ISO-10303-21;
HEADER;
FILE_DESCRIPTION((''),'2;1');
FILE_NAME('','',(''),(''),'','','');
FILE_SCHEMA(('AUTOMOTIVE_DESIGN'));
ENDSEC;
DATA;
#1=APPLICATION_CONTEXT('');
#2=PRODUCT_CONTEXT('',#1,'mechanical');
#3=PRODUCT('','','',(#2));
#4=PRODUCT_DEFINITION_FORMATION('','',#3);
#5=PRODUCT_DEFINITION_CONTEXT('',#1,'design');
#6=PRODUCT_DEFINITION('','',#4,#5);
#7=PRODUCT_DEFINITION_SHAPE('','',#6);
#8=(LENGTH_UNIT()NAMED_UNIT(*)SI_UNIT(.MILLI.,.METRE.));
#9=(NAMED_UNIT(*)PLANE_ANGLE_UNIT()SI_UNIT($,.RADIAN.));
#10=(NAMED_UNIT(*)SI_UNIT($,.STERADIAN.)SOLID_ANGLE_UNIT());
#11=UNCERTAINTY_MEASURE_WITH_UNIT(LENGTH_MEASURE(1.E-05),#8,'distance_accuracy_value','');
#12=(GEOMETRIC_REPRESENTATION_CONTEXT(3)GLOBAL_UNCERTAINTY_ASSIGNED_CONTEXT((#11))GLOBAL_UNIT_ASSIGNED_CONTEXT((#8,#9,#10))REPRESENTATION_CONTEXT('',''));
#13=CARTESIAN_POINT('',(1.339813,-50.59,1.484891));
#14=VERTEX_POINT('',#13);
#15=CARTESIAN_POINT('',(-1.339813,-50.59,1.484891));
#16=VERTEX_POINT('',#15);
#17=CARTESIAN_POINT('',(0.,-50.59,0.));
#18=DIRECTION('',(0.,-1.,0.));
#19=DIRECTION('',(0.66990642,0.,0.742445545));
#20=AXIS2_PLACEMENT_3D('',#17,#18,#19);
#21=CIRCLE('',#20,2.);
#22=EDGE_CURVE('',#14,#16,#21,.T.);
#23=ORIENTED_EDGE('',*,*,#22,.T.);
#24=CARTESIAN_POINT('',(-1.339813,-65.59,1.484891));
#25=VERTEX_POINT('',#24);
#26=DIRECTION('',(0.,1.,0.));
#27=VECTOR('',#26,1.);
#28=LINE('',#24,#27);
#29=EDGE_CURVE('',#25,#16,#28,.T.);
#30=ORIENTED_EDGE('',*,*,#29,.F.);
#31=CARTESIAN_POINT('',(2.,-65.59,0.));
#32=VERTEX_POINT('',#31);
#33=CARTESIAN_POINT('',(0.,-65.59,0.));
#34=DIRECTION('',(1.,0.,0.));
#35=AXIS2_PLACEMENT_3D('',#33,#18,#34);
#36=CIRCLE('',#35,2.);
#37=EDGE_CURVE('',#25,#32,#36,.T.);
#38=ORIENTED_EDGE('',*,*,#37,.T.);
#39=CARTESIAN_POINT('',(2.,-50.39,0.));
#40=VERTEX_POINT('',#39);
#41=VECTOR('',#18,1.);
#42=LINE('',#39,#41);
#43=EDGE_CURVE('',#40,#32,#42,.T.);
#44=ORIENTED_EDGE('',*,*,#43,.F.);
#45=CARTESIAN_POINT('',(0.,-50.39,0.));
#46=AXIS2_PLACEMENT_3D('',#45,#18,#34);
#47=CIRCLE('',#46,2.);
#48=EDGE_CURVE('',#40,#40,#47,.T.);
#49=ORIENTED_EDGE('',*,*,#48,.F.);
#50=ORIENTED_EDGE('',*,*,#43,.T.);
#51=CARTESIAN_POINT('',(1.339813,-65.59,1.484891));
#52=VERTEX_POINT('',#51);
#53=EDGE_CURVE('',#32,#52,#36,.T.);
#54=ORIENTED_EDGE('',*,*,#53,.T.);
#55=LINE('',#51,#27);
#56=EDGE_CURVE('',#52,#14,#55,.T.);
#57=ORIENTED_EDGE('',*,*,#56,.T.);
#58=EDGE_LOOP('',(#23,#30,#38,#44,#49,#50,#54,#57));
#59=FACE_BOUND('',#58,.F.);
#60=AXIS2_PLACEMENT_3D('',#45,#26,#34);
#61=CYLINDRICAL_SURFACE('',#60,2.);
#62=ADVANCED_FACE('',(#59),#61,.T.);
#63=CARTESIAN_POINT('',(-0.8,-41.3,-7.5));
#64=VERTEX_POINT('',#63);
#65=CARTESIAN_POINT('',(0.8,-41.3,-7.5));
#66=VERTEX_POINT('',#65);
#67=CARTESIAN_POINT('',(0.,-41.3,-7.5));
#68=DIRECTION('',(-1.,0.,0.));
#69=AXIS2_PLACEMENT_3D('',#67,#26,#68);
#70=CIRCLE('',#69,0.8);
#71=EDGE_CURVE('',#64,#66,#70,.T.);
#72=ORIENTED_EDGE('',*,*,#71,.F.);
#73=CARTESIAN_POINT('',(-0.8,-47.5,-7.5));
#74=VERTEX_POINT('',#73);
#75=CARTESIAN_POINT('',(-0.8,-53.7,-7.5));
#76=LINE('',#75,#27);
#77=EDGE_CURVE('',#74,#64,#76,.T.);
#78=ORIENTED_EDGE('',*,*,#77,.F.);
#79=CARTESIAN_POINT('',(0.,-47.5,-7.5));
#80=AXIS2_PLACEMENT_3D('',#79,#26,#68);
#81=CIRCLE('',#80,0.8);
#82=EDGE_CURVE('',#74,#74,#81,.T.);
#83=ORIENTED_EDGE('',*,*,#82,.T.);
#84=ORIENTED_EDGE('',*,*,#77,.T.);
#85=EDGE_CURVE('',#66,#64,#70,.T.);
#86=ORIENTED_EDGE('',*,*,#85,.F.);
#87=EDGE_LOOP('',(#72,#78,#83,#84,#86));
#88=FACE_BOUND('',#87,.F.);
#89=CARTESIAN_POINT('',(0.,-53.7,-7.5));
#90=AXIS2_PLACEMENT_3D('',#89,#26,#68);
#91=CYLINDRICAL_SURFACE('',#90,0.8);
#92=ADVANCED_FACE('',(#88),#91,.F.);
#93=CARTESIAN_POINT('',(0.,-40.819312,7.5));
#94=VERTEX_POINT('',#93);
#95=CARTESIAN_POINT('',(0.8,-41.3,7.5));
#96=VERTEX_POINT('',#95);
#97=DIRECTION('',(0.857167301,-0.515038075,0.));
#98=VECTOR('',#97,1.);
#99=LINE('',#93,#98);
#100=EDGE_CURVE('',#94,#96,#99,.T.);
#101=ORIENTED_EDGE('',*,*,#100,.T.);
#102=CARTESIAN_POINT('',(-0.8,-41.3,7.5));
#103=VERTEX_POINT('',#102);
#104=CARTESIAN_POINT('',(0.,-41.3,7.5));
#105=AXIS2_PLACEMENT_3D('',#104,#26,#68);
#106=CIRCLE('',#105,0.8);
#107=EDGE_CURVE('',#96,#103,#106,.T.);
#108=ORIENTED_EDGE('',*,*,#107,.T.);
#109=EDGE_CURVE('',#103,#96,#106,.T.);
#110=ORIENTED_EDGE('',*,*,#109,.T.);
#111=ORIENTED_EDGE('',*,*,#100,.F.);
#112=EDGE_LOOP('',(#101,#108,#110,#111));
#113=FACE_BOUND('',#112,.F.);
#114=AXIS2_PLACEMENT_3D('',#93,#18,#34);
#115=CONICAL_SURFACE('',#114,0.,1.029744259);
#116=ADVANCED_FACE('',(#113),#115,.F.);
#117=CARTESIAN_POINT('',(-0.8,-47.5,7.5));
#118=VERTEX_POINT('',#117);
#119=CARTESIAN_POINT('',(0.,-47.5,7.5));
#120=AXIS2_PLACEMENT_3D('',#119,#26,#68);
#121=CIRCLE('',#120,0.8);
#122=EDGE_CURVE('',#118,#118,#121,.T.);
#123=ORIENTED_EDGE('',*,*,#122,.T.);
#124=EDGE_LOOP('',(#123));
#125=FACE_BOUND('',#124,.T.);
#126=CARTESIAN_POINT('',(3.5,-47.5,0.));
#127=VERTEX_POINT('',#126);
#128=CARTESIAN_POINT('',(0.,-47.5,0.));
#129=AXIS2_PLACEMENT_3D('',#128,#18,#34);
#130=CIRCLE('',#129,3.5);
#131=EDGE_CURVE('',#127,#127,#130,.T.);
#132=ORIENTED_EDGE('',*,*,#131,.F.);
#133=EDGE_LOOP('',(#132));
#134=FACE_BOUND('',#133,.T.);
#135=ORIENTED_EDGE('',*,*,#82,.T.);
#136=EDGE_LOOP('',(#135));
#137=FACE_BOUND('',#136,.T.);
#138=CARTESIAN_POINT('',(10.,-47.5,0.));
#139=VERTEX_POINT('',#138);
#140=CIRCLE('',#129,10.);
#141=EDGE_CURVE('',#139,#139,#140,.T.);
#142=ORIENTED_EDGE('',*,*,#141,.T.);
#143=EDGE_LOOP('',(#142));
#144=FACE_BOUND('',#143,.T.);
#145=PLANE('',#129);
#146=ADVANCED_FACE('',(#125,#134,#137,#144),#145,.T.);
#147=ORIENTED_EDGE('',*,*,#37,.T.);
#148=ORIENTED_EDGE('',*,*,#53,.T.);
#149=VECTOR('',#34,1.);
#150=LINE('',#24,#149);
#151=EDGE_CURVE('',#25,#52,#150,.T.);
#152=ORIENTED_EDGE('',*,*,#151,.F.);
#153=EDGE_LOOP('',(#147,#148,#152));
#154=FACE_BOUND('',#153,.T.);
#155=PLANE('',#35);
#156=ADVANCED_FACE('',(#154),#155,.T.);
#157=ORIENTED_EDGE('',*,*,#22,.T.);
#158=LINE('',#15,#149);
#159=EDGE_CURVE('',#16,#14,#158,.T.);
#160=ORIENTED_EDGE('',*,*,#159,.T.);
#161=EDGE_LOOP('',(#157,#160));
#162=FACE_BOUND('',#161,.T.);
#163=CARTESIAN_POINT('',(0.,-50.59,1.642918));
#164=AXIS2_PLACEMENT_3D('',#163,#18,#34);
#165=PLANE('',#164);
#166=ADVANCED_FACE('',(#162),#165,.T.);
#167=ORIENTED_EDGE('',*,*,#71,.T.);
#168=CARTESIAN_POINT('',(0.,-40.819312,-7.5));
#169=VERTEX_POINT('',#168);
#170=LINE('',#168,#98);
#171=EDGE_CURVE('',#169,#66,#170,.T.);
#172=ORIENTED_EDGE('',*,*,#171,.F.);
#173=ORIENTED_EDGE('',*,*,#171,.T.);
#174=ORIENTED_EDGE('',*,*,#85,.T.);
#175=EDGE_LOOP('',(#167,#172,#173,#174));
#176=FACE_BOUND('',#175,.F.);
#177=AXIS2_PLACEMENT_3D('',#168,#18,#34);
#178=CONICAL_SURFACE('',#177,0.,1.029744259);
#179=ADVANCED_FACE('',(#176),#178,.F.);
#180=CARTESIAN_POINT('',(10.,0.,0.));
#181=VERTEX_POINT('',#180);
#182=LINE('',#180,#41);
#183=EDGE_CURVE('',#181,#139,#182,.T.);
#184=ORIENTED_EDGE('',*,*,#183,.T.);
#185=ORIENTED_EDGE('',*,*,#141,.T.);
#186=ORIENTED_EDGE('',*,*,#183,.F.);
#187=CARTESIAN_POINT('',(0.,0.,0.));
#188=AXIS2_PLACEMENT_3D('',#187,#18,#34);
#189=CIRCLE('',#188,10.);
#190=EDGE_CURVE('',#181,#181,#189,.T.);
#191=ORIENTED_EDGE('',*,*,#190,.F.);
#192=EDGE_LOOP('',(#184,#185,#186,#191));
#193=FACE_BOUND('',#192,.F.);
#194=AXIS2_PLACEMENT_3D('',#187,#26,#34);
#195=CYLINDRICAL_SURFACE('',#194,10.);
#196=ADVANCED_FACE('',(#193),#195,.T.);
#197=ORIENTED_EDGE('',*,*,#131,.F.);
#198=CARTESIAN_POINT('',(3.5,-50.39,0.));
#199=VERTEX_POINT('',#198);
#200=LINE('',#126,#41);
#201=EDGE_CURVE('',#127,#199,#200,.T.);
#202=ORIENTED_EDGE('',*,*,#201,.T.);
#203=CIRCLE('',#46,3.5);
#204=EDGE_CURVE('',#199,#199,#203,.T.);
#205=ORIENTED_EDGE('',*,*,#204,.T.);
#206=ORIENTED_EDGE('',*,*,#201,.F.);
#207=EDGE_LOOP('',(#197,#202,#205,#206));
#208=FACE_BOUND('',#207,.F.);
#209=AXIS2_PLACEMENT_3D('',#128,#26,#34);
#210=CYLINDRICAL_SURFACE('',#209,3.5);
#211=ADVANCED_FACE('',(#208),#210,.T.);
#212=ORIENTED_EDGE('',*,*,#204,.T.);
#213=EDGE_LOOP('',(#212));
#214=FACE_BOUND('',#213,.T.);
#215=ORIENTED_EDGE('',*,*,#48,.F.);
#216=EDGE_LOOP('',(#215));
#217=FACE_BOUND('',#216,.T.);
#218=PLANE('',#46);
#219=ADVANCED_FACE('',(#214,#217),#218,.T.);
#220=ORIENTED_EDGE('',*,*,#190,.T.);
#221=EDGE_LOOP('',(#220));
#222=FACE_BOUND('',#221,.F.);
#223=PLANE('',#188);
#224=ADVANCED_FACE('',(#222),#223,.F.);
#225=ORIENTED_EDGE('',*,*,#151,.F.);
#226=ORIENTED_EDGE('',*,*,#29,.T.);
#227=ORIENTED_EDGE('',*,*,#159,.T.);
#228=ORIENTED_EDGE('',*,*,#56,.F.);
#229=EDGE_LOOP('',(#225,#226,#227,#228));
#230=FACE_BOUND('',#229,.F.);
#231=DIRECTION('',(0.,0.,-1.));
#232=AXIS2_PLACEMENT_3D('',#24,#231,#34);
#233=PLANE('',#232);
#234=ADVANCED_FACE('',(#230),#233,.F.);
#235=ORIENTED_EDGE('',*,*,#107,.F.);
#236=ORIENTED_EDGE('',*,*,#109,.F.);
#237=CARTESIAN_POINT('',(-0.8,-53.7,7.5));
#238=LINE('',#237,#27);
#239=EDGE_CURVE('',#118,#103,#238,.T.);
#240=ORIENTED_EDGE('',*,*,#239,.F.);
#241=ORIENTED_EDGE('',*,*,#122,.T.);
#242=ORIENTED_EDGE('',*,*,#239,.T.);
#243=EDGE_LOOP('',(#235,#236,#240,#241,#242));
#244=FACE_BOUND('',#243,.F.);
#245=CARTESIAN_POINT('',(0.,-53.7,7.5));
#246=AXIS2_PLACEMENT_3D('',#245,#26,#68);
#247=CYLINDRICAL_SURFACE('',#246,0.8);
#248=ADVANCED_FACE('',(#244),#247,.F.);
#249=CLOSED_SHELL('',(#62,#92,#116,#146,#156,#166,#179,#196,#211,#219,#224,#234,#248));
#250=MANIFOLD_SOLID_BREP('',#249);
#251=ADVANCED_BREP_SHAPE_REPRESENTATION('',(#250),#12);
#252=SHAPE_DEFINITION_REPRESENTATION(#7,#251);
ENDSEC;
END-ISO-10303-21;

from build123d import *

# Parameters (mm, degrees)
F0_R     = 10
F1_DEPTH = 47.5
F2_R     = 3.5
F3_DEPTH = 2.89
F4_R     = 2
F5_DEPTH = 15.2
F7_D     = 1.6
F7_DEPTH = 6.2
F7_TIP   = 0.4806884952
F9_DEPTH = 15


with BuildPart() as f1:
    # F0 (on Front) → F1 (new body)
    with BuildSketch(Plane.XZ):
        Circle(F0_R)
    extrude(amount=F1_DEPTH)

    # F2 (on face) → F3 (join)
    with BuildSketch(Plane.XZ.offset(47.5)):
        Circle(F2_R)
    extrude(amount=F3_DEPTH)

    # F4 (on face) → F5 (join)
    with BuildSketch(Plane.XZ.offset(50.39)):
        Circle(F4_R)
    extrude(amount=F5_DEPTH)

    # F7
    with Locations(Plane.XZ.offset(47.5)):
        with Locations((0, 7.5), (0, -7.5)):
            Hole(F7_D / 2, depth=F7_DEPTH)
            with Locations((0, 0, -(F7_DEPTH + F7_TIP / 2))):  # 118° drill point
                Cone(0, F7_D / 2, F7_TIP, mode=Mode.SUBTRACT)

    # F8 (on face) → F9 (cut)
    with BuildSketch(Plane.XZ.offset(65.59)):
        with BuildLine():
            ThreePointArc((1.339812841, 1.4848910907), (0, 2), (-1.339812841, 1.4848910907))
            Line((-1.339812841, 1.4848910907), (1.339812841, 1.4848910907))
        make_face()
    extrude(amount=-F9_DEPTH, mode=Mode.SUBTRACT)


solid = f1.part
